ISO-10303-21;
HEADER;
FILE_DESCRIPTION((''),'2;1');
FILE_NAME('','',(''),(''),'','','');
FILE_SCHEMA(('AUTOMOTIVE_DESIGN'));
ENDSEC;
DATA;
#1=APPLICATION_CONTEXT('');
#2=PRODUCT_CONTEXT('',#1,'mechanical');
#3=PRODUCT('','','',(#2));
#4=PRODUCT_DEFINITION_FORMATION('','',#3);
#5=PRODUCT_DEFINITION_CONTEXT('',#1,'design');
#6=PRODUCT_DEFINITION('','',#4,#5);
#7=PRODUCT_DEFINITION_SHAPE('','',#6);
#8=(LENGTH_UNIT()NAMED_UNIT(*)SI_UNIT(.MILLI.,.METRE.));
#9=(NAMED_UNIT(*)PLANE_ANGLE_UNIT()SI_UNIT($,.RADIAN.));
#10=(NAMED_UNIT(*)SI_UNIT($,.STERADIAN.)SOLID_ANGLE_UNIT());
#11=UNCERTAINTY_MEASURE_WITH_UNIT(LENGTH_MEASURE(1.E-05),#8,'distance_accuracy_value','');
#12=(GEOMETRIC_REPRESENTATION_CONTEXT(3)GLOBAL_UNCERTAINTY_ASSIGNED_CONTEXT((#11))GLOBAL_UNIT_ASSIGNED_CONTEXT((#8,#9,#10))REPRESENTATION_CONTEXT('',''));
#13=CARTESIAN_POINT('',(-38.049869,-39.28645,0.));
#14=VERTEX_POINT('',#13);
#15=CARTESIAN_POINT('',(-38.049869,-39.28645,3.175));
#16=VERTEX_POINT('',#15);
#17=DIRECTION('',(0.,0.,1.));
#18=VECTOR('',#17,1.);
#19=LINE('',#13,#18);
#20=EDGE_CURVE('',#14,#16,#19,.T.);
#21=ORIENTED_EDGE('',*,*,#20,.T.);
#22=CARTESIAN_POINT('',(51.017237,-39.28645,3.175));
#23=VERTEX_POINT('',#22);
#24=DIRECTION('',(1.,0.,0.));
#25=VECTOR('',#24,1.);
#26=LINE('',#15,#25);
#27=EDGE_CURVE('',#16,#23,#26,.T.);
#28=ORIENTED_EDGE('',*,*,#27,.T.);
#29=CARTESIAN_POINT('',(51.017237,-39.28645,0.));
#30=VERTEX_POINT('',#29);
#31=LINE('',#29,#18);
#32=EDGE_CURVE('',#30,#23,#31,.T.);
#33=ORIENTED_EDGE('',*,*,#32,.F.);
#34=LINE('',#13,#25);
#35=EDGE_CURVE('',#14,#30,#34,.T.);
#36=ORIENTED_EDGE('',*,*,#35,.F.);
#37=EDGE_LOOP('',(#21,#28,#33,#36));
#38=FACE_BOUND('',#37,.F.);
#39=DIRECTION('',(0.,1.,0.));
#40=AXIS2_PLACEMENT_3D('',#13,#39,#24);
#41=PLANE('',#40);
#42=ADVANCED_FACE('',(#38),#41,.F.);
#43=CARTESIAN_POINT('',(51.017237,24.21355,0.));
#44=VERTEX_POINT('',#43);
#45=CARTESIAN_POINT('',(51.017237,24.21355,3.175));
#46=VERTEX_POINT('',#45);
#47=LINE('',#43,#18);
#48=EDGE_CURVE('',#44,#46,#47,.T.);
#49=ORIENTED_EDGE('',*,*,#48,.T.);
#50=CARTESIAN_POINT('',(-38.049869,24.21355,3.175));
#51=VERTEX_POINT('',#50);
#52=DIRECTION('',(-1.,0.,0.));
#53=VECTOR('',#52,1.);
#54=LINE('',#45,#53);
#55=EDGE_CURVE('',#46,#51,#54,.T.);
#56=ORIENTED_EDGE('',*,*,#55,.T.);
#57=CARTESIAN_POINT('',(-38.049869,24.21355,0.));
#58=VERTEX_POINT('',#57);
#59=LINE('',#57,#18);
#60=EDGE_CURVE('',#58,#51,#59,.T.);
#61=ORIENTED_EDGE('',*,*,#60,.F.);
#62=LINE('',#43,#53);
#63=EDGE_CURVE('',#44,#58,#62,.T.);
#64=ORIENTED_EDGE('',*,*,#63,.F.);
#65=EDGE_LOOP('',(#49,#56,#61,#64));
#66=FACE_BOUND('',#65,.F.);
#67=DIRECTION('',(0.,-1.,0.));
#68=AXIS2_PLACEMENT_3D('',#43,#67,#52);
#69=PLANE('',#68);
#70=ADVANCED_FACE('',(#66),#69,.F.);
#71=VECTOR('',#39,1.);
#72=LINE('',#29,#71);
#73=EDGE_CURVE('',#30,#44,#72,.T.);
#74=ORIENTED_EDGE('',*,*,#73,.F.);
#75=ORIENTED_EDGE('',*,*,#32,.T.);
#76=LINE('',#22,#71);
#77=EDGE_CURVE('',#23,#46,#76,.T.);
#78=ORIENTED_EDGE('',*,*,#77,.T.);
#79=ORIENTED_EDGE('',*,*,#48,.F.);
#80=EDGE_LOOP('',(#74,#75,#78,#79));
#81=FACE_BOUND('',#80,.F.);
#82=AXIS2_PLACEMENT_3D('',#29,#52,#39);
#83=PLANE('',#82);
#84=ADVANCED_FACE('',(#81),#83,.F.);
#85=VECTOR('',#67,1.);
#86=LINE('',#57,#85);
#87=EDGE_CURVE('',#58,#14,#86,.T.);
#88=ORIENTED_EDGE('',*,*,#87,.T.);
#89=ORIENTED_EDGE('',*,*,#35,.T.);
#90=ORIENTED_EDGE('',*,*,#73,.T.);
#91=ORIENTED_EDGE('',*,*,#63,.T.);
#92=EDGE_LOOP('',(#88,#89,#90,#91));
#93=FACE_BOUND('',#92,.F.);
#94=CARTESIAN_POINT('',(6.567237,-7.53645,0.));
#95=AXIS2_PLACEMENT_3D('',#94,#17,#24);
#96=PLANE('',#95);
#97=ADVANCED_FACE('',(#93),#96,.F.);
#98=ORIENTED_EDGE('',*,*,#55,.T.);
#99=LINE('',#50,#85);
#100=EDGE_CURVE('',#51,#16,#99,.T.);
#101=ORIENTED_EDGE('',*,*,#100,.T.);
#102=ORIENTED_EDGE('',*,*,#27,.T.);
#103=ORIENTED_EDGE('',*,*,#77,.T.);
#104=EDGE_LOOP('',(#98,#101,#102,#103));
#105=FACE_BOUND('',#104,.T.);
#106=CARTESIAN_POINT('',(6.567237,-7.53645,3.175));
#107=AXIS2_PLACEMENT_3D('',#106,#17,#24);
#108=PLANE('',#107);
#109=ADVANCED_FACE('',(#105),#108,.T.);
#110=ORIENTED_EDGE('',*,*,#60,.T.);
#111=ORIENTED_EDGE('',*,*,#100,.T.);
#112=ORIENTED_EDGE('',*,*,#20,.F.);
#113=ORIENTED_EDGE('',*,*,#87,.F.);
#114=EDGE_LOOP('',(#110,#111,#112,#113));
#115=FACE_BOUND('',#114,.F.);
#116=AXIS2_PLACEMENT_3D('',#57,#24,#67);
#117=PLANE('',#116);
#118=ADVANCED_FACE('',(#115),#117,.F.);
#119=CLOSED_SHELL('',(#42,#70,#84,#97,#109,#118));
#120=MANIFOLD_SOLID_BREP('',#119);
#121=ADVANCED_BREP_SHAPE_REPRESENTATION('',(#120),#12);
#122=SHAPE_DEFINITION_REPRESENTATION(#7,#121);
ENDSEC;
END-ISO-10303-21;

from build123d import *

# Parameters (mm, degrees)
F1_DEPTH = 3.175


with BuildPart() as f1:
    # F0 (on Top) → F1 (new body)
    with BuildSketch(Plane.XY):
        with BuildLine():
            Line((38.3172365069, 17.863549906), (-25.1827634931, 17.863549906))
            ThreePointArc((-25.1827634931, 17.863549906), (-27.0426354325, 13.3734218455), (-31.5327634931, 11.513549906))
            Line((-31.5327634931, 11.513549906), (-31.5327634931, -26.586450094))
            ThreePointArc((-31.5327634931, -26.586450094), (-27.0426354325, -28.4463220335), (-25.1827634931, -32.936450094))
            Line((-25.1827634931, -32.936450094), (38.3172365069, -32.936450094))
            ThreePointArc((38.3172365069, -32.936450094), (40.1771084464, -28.4463220335), (44.6672365069, -26.586450094))
            Line((44.6672365069, -26.586450094), (44.6672365069, 11.513549906))
            ThreePointArc((44.6672365069, 11.513549906), (40.1771084464, 13.3734218455), (38.3172365069, 17.863549906))
        make_face()
        with BuildLine():
            Line((-31.5327634931, 11.513549906), (-31.5327634931, 17.863549906))
            Line((-31.5327634931, 17.863549906), (-25.1827634931, 17.863549906))
            ThreePointArc((-25.1827634931, 17.863549906), (-27.0426354325, 22.3536779666), (-31.5327634931, 24.213549906))
            ThreePointArc((-31.5327634931, 24.213549906), (-37.8827634931, 17.863549906), (-31.5327634931, 11.513549906))
        make_face()
        with BuildLine():
            Line((-31.5327634931, -32.936450094), (-31.5327634931, -26.586450094))
            ThreePointArc((-31.5327634931, -26.586450094), (-37.8827634931, -32.936450094), (-31.5327634931, -39.286450094))
            ThreePointArc((-31.5327634931, -39.286450094), (-27.0426354325, -37.4265781545), (-25.1827634931, -32.936450094))
            Line((-25.1827634931, -32.936450094), (-31.5327634931, -32.936450094))
        make_face()
        with BuildLine():
            ThreePointArc((51.0172365069, -32.936450094), (49.1573645675, -28.4463220335), (44.6672365069, -26.586450094))
            Line((44.6672365069, -26.586450094), (44.6672365069, -32.936450094))
            Line((44.6672365069, -32.936450094), (38.3172365069, -32.936450094))
            ThreePointArc((38.3172365069, -32.936450094), (40.1771084464, -37.4265781545), (44.6672365069, -39.286450094))
            ThreePointArc((44.6672365069, -39.286450094), (49.1573645675, -37.4265781545), (51.0172365069, -32.936450094))
        make_face()
        with BuildLine():
            ThreePointArc((44.6672365069, 24.213549906), (40.1771084464, 22.3536779665), (38.3172365069, 17.863549906))
            Line((38.3172365069, 17.863549906), (44.6672365069, 17.863549906))
            Line((44.6672365069, 17.863549906), (44.6672365069, 11.513549906))
            ThreePointArc((44.6672365069, 11.513549906), (49.1573645675, 13.3734218455), (51.0172365069, 17.863549906))
            ThreePointArc((51.0172365069, 17.863549906), (49.1573645675, 22.3536779666), (44.6672365069, 24.213549906))
        make_face()
        with BuildLine():
            ThreePointArc((51.0172365069, 17.863549906), (49.1573645675, 13.3734218455), (44.6672365069, 11.513549906))
            Line((44.6672365069, 11.513549906), (44.6672365069, -26.586450094))
            ThreePointArc((44.6672365069, -26.586450094), (49.1573645675, -28.4463220335), (51.0172365069, -32.936450094))
            Line((51.0172365069, -32.936450094), (51.0172365069, 17.863549906))
        make_face()
        with BuildLine():
            Line((38.3172365069, -32.936450094), (-25.1827634931, -32.936450094))
            ThreePointArc((-25.1827634931, -32.936450094), (-27.0426354325, -37.4265781545), (-31.5327634931, -39.286450094))
            Line((-31.5327634931, -39.286450094), (44.6672365069, -39.286450094))
            ThreePointArc((44.6672365069, -39.286450094), (40.1771084464, -37.4265781545), (38.3172365069, -32.936450094))
        make_face()
        with BuildLine():
            Line((-31.5327634931, -26.586450094), (-31.5327634931, 11.513549906))
            ThreePointArc((-31.5327634931, 11.513549906), (-37.8827634931, 17.863549906), (-31.5327634931, 24.213549906))
            Line((-31.5327634931, 24.213549906), (-38.0498692393, 24.213549906))
            Line((-38.0498692393, 24.213549906), (-38.0498692393, -39.286450094))
            Line((-38.0498692393, -39.286450094), (-31.5327634931, -39.286450094))
            ThreePointArc((-31.5327634931, -39.286450094), (-37.8827634931, -32.936450094), (-31.5327634931, -26.586450094))
        make_face()
        with BuildLine():
            ThreePointArc((-31.5327634931, 24.213549906), (-27.0426354325, 22.3536779666), (-25.1827634931, 17.863549906))
            Line((-25.1827634931, 17.863549906), (38.3172365069, 17.863549906))
            ThreePointArc((38.3172365069, 17.863549906), (40.1771084464, 22.3536779665), (44.6672365069, 24.213549906))
            Line((44.6672365069, 24.213549906), (-31.5327634931, 24.213549906))
        make_face()
        with BuildLine():
            Line((44.6672365069, 17.863549906), (38.3172365069, 17.863549906))
            ThreePointArc((38.3172365069, 17.863549906), (40.1771084464, 13.3734218455), (44.6672365069, 11.513549906))
            Line((44.6672365069, 11.513549906), (44.6672365069, 17.863549906))
        make_face()
        with BuildLine():
            Line((44.6672365069, -32.936450094), (44.6672365069, -26.586450094))
            ThreePointArc((44.6672365069, -26.586450094), (40.1771084464, -28.4463220335), (38.3172365069, -32.936450094))
            Line((38.3172365069, -32.936450094), (44.6672365069, -32.936450094))
        make_face()
        with BuildLine():
            ThreePointArc((-25.1827634931, -32.936450094), (-27.0426354325, -28.4463220335), (-31.5327634931, -26.586450094))
            Line((-31.5327634931, -26.586450094), (-31.5327634931, -32.936450094))
            Line((-31.5327634931, -32.936450094), (-25.1827634931, -32.936450094))
        make_face()
        with BuildLine():
            Line((-25.1827634931, 17.863549906), (-31.5327634931, 17.863549906))
            Line((-31.5327634931, 17.863549906), (-31.5327634931, 11.513549906))
            ThreePointArc((-31.5327634931, 11.513549906), (-27.0426354325, 13.3734218455), (-25.1827634931, 17.863549906))
        make_face()
        with BuildLine():
            Line((51.0172365069, 24.213549906), (44.6672365069, 24.213549906))
            ThreePointArc((44.6672365069, 24.213549906), (49.1573645675, 22.3536779666), (51.0172365069, 17.863549906))
            Line((51.0172365069, 17.863549906), (51.0172365069, 24.213549906))
        make_face()
        with BuildLine():
            ThreePointArc((51.0172365069, -32.936450094), (49.1573645675, -37.4265781545), (44.6672365069, -39.286450094))
            Line((44.6672365069, -39.286450094), (51.0172365069, -39.286450094))
            Line((51.0172365069, -39.286450094), (51.0172365069, -32.936450094))
        make_face()
    extrude(amount=F1_DEPTH)


solid = f1.part
